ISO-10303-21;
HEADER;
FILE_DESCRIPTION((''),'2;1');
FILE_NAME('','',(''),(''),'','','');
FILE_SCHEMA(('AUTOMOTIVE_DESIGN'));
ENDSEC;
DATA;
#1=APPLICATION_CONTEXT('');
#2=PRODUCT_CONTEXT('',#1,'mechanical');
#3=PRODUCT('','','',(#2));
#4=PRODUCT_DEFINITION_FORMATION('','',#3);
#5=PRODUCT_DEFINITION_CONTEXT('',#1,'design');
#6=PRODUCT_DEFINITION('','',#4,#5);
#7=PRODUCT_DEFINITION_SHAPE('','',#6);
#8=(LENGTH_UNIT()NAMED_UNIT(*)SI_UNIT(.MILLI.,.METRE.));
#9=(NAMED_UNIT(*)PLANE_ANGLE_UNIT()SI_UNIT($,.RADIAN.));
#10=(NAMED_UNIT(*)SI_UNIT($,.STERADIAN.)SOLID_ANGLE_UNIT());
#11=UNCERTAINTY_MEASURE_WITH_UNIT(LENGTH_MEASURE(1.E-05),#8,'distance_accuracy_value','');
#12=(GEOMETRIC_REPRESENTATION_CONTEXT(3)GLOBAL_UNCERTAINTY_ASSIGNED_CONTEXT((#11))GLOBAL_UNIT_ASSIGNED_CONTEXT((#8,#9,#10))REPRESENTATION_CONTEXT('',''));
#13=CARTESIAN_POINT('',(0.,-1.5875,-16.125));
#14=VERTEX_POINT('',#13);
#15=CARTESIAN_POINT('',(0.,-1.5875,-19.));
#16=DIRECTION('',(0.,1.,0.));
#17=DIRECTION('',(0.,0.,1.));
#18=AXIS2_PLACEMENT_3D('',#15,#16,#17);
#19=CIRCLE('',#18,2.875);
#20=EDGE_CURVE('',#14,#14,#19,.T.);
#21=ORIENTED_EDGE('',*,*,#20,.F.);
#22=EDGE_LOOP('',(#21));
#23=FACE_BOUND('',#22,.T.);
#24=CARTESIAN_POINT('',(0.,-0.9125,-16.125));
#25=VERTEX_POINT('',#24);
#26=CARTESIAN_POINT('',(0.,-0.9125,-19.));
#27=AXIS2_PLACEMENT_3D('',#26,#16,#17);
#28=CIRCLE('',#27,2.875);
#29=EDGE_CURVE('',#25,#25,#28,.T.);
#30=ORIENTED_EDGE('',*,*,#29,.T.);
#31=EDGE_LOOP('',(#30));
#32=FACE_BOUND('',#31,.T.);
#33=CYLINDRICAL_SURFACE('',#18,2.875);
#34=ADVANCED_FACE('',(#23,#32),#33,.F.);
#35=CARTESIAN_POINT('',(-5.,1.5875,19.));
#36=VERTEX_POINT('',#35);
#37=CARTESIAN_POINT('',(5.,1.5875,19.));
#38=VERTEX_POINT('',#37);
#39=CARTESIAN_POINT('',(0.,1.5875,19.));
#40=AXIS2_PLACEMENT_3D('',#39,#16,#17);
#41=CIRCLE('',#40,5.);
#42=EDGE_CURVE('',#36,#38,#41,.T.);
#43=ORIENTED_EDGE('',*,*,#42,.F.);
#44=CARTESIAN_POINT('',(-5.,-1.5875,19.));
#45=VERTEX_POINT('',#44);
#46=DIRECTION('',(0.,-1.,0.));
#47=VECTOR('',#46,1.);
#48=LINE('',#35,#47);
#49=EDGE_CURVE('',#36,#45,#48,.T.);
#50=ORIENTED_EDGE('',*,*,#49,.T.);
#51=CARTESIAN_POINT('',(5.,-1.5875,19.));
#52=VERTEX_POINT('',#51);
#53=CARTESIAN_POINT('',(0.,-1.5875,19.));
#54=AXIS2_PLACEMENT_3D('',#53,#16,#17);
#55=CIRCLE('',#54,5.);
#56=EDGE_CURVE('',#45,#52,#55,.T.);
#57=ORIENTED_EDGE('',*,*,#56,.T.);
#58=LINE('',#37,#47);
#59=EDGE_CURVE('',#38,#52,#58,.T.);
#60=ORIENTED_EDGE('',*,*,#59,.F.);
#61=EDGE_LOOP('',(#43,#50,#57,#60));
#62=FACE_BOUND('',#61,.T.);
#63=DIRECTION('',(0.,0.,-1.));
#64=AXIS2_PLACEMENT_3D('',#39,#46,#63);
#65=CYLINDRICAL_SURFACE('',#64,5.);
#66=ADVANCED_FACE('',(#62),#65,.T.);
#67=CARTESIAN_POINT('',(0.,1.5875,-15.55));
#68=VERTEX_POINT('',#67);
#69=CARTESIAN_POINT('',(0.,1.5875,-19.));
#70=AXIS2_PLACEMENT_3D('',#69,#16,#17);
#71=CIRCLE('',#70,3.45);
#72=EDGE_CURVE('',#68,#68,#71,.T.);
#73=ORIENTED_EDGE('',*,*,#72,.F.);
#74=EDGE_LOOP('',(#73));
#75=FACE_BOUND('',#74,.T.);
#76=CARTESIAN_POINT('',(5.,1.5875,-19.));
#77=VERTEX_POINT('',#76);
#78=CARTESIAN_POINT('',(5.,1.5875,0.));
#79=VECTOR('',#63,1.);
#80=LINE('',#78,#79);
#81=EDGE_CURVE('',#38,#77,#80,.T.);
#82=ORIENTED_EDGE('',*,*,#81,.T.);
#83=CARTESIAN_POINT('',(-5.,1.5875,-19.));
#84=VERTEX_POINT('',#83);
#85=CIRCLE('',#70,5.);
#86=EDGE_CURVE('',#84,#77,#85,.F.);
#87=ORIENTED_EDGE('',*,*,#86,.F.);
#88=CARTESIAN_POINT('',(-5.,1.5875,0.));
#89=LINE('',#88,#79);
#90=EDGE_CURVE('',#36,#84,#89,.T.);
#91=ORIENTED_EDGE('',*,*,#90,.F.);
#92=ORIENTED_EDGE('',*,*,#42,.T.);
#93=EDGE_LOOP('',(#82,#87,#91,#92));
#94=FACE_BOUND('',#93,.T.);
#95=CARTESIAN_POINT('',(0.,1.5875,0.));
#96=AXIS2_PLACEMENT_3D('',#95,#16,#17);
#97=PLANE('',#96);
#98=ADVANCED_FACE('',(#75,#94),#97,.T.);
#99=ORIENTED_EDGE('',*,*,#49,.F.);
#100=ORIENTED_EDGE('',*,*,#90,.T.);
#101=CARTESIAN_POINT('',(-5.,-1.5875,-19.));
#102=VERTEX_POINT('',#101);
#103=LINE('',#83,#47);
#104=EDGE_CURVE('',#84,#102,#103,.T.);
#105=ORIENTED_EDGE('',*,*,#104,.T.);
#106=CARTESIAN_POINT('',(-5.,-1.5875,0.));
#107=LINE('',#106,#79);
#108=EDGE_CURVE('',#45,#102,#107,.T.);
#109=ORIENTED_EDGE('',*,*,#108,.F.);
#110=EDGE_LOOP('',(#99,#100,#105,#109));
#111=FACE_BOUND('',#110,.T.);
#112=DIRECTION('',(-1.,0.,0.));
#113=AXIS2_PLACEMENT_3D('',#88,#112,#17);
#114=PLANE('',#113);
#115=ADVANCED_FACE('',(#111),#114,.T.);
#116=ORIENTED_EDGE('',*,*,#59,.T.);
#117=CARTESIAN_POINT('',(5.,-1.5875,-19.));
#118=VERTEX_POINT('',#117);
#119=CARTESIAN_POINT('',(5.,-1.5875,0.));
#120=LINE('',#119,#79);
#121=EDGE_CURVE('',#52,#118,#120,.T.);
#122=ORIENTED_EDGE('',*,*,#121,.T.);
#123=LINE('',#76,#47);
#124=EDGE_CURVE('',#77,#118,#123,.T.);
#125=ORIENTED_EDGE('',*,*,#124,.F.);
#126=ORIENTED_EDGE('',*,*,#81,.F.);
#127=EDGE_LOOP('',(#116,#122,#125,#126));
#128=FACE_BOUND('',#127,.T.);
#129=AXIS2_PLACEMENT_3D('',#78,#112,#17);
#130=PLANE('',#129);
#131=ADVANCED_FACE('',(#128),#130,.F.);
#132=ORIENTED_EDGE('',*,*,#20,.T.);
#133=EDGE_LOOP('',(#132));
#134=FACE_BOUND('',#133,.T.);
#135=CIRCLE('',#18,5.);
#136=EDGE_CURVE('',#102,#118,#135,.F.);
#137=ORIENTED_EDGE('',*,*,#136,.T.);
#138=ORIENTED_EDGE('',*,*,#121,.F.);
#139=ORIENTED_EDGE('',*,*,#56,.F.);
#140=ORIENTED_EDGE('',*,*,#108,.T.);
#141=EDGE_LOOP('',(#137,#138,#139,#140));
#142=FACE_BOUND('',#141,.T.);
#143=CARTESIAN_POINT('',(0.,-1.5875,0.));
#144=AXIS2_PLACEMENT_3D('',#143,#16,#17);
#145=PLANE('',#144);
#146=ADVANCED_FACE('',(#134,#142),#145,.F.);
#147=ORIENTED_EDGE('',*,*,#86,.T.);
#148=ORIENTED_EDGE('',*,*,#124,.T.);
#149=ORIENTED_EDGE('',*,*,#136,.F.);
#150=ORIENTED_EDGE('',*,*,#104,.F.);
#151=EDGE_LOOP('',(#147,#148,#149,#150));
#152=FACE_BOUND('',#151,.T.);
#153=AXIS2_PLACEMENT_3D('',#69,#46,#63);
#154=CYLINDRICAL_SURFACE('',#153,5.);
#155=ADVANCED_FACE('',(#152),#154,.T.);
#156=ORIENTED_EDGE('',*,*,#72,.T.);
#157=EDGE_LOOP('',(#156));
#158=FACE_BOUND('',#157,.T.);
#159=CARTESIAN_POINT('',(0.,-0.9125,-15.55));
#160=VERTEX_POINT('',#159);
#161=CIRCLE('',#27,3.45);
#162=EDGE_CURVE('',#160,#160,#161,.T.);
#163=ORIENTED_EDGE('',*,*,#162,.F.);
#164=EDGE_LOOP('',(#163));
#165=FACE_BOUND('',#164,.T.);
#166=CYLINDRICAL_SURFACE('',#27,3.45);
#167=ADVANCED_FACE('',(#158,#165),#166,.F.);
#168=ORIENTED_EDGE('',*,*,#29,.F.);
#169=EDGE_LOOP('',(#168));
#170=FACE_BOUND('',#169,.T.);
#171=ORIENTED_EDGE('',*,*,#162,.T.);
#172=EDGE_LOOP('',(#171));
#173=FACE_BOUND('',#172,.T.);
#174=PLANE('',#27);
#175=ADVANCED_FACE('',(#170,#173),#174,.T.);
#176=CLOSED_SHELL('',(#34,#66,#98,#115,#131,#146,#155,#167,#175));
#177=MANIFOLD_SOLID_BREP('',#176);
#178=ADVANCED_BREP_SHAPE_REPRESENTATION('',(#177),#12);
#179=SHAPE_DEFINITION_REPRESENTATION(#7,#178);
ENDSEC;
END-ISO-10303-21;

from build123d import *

# Parameters (mm, degrees)
SKETCH1_W           = 10
SKETCH1_H           = 38
BOSS_EXTRUDE1_DEPTH = 1.5875
SKETCH2_R           = 3.45
CUT_EXTRUDE1_DEPTH  = 2.5
SKETCH3_R           = 2.875
CUT_EXTRUDE2_DEPTH  = 1.675


with BuildPart() as part:
    # Sketch1 → Boss-Extrude1 (new body, symmetric)
    with BuildSketch(Plane(origin=(0, 0, 0), x_dir=(1, 0, 0), z_dir=(0, 1, 0))):
        with BuildLine():
            ThreePointArc((-5, 19), (0, 24), (5, 19))
            Line((5, 19), (-5, 19))
        make_face()
        Rectangle(SKETCH1_W, SKETCH1_H)
        with BuildLine():
            Line((5, -19), (-5, -19))
            ThreePointArc((-5, -19), (0, -24), (5, -19))
        make_face()
    extrude(amount=BOSS_EXTRUDE1_DEPTH, both=True)

    # Sketch2 → Cut-Extrude1 (cut)
    with BuildSketch(Plane(origin=(0, 1.5875, 0), x_dir=(1, 0, 0), z_dir=(0, 1, 0))):
        with Locations((0, 19)):
            Circle(SKETCH2_R)
    extrude(amount=-CUT_EXTRUDE1_DEPTH, mode=Mode.SUBTRACT)

    # Sketch3 → Cut-Extrude2 (cut, through all)
    with BuildSketch(Plane(origin=(0, -0.9125, 0), x_dir=(1, 0, 0), z_dir=(0, 1, 0))):
        with Locations((0, 19)):
            Circle(SKETCH3_R)
    extrude(amount=-CUT_EXTRUDE2_DEPTH, mode=Mode.SUBTRACT)


solid = part.part
